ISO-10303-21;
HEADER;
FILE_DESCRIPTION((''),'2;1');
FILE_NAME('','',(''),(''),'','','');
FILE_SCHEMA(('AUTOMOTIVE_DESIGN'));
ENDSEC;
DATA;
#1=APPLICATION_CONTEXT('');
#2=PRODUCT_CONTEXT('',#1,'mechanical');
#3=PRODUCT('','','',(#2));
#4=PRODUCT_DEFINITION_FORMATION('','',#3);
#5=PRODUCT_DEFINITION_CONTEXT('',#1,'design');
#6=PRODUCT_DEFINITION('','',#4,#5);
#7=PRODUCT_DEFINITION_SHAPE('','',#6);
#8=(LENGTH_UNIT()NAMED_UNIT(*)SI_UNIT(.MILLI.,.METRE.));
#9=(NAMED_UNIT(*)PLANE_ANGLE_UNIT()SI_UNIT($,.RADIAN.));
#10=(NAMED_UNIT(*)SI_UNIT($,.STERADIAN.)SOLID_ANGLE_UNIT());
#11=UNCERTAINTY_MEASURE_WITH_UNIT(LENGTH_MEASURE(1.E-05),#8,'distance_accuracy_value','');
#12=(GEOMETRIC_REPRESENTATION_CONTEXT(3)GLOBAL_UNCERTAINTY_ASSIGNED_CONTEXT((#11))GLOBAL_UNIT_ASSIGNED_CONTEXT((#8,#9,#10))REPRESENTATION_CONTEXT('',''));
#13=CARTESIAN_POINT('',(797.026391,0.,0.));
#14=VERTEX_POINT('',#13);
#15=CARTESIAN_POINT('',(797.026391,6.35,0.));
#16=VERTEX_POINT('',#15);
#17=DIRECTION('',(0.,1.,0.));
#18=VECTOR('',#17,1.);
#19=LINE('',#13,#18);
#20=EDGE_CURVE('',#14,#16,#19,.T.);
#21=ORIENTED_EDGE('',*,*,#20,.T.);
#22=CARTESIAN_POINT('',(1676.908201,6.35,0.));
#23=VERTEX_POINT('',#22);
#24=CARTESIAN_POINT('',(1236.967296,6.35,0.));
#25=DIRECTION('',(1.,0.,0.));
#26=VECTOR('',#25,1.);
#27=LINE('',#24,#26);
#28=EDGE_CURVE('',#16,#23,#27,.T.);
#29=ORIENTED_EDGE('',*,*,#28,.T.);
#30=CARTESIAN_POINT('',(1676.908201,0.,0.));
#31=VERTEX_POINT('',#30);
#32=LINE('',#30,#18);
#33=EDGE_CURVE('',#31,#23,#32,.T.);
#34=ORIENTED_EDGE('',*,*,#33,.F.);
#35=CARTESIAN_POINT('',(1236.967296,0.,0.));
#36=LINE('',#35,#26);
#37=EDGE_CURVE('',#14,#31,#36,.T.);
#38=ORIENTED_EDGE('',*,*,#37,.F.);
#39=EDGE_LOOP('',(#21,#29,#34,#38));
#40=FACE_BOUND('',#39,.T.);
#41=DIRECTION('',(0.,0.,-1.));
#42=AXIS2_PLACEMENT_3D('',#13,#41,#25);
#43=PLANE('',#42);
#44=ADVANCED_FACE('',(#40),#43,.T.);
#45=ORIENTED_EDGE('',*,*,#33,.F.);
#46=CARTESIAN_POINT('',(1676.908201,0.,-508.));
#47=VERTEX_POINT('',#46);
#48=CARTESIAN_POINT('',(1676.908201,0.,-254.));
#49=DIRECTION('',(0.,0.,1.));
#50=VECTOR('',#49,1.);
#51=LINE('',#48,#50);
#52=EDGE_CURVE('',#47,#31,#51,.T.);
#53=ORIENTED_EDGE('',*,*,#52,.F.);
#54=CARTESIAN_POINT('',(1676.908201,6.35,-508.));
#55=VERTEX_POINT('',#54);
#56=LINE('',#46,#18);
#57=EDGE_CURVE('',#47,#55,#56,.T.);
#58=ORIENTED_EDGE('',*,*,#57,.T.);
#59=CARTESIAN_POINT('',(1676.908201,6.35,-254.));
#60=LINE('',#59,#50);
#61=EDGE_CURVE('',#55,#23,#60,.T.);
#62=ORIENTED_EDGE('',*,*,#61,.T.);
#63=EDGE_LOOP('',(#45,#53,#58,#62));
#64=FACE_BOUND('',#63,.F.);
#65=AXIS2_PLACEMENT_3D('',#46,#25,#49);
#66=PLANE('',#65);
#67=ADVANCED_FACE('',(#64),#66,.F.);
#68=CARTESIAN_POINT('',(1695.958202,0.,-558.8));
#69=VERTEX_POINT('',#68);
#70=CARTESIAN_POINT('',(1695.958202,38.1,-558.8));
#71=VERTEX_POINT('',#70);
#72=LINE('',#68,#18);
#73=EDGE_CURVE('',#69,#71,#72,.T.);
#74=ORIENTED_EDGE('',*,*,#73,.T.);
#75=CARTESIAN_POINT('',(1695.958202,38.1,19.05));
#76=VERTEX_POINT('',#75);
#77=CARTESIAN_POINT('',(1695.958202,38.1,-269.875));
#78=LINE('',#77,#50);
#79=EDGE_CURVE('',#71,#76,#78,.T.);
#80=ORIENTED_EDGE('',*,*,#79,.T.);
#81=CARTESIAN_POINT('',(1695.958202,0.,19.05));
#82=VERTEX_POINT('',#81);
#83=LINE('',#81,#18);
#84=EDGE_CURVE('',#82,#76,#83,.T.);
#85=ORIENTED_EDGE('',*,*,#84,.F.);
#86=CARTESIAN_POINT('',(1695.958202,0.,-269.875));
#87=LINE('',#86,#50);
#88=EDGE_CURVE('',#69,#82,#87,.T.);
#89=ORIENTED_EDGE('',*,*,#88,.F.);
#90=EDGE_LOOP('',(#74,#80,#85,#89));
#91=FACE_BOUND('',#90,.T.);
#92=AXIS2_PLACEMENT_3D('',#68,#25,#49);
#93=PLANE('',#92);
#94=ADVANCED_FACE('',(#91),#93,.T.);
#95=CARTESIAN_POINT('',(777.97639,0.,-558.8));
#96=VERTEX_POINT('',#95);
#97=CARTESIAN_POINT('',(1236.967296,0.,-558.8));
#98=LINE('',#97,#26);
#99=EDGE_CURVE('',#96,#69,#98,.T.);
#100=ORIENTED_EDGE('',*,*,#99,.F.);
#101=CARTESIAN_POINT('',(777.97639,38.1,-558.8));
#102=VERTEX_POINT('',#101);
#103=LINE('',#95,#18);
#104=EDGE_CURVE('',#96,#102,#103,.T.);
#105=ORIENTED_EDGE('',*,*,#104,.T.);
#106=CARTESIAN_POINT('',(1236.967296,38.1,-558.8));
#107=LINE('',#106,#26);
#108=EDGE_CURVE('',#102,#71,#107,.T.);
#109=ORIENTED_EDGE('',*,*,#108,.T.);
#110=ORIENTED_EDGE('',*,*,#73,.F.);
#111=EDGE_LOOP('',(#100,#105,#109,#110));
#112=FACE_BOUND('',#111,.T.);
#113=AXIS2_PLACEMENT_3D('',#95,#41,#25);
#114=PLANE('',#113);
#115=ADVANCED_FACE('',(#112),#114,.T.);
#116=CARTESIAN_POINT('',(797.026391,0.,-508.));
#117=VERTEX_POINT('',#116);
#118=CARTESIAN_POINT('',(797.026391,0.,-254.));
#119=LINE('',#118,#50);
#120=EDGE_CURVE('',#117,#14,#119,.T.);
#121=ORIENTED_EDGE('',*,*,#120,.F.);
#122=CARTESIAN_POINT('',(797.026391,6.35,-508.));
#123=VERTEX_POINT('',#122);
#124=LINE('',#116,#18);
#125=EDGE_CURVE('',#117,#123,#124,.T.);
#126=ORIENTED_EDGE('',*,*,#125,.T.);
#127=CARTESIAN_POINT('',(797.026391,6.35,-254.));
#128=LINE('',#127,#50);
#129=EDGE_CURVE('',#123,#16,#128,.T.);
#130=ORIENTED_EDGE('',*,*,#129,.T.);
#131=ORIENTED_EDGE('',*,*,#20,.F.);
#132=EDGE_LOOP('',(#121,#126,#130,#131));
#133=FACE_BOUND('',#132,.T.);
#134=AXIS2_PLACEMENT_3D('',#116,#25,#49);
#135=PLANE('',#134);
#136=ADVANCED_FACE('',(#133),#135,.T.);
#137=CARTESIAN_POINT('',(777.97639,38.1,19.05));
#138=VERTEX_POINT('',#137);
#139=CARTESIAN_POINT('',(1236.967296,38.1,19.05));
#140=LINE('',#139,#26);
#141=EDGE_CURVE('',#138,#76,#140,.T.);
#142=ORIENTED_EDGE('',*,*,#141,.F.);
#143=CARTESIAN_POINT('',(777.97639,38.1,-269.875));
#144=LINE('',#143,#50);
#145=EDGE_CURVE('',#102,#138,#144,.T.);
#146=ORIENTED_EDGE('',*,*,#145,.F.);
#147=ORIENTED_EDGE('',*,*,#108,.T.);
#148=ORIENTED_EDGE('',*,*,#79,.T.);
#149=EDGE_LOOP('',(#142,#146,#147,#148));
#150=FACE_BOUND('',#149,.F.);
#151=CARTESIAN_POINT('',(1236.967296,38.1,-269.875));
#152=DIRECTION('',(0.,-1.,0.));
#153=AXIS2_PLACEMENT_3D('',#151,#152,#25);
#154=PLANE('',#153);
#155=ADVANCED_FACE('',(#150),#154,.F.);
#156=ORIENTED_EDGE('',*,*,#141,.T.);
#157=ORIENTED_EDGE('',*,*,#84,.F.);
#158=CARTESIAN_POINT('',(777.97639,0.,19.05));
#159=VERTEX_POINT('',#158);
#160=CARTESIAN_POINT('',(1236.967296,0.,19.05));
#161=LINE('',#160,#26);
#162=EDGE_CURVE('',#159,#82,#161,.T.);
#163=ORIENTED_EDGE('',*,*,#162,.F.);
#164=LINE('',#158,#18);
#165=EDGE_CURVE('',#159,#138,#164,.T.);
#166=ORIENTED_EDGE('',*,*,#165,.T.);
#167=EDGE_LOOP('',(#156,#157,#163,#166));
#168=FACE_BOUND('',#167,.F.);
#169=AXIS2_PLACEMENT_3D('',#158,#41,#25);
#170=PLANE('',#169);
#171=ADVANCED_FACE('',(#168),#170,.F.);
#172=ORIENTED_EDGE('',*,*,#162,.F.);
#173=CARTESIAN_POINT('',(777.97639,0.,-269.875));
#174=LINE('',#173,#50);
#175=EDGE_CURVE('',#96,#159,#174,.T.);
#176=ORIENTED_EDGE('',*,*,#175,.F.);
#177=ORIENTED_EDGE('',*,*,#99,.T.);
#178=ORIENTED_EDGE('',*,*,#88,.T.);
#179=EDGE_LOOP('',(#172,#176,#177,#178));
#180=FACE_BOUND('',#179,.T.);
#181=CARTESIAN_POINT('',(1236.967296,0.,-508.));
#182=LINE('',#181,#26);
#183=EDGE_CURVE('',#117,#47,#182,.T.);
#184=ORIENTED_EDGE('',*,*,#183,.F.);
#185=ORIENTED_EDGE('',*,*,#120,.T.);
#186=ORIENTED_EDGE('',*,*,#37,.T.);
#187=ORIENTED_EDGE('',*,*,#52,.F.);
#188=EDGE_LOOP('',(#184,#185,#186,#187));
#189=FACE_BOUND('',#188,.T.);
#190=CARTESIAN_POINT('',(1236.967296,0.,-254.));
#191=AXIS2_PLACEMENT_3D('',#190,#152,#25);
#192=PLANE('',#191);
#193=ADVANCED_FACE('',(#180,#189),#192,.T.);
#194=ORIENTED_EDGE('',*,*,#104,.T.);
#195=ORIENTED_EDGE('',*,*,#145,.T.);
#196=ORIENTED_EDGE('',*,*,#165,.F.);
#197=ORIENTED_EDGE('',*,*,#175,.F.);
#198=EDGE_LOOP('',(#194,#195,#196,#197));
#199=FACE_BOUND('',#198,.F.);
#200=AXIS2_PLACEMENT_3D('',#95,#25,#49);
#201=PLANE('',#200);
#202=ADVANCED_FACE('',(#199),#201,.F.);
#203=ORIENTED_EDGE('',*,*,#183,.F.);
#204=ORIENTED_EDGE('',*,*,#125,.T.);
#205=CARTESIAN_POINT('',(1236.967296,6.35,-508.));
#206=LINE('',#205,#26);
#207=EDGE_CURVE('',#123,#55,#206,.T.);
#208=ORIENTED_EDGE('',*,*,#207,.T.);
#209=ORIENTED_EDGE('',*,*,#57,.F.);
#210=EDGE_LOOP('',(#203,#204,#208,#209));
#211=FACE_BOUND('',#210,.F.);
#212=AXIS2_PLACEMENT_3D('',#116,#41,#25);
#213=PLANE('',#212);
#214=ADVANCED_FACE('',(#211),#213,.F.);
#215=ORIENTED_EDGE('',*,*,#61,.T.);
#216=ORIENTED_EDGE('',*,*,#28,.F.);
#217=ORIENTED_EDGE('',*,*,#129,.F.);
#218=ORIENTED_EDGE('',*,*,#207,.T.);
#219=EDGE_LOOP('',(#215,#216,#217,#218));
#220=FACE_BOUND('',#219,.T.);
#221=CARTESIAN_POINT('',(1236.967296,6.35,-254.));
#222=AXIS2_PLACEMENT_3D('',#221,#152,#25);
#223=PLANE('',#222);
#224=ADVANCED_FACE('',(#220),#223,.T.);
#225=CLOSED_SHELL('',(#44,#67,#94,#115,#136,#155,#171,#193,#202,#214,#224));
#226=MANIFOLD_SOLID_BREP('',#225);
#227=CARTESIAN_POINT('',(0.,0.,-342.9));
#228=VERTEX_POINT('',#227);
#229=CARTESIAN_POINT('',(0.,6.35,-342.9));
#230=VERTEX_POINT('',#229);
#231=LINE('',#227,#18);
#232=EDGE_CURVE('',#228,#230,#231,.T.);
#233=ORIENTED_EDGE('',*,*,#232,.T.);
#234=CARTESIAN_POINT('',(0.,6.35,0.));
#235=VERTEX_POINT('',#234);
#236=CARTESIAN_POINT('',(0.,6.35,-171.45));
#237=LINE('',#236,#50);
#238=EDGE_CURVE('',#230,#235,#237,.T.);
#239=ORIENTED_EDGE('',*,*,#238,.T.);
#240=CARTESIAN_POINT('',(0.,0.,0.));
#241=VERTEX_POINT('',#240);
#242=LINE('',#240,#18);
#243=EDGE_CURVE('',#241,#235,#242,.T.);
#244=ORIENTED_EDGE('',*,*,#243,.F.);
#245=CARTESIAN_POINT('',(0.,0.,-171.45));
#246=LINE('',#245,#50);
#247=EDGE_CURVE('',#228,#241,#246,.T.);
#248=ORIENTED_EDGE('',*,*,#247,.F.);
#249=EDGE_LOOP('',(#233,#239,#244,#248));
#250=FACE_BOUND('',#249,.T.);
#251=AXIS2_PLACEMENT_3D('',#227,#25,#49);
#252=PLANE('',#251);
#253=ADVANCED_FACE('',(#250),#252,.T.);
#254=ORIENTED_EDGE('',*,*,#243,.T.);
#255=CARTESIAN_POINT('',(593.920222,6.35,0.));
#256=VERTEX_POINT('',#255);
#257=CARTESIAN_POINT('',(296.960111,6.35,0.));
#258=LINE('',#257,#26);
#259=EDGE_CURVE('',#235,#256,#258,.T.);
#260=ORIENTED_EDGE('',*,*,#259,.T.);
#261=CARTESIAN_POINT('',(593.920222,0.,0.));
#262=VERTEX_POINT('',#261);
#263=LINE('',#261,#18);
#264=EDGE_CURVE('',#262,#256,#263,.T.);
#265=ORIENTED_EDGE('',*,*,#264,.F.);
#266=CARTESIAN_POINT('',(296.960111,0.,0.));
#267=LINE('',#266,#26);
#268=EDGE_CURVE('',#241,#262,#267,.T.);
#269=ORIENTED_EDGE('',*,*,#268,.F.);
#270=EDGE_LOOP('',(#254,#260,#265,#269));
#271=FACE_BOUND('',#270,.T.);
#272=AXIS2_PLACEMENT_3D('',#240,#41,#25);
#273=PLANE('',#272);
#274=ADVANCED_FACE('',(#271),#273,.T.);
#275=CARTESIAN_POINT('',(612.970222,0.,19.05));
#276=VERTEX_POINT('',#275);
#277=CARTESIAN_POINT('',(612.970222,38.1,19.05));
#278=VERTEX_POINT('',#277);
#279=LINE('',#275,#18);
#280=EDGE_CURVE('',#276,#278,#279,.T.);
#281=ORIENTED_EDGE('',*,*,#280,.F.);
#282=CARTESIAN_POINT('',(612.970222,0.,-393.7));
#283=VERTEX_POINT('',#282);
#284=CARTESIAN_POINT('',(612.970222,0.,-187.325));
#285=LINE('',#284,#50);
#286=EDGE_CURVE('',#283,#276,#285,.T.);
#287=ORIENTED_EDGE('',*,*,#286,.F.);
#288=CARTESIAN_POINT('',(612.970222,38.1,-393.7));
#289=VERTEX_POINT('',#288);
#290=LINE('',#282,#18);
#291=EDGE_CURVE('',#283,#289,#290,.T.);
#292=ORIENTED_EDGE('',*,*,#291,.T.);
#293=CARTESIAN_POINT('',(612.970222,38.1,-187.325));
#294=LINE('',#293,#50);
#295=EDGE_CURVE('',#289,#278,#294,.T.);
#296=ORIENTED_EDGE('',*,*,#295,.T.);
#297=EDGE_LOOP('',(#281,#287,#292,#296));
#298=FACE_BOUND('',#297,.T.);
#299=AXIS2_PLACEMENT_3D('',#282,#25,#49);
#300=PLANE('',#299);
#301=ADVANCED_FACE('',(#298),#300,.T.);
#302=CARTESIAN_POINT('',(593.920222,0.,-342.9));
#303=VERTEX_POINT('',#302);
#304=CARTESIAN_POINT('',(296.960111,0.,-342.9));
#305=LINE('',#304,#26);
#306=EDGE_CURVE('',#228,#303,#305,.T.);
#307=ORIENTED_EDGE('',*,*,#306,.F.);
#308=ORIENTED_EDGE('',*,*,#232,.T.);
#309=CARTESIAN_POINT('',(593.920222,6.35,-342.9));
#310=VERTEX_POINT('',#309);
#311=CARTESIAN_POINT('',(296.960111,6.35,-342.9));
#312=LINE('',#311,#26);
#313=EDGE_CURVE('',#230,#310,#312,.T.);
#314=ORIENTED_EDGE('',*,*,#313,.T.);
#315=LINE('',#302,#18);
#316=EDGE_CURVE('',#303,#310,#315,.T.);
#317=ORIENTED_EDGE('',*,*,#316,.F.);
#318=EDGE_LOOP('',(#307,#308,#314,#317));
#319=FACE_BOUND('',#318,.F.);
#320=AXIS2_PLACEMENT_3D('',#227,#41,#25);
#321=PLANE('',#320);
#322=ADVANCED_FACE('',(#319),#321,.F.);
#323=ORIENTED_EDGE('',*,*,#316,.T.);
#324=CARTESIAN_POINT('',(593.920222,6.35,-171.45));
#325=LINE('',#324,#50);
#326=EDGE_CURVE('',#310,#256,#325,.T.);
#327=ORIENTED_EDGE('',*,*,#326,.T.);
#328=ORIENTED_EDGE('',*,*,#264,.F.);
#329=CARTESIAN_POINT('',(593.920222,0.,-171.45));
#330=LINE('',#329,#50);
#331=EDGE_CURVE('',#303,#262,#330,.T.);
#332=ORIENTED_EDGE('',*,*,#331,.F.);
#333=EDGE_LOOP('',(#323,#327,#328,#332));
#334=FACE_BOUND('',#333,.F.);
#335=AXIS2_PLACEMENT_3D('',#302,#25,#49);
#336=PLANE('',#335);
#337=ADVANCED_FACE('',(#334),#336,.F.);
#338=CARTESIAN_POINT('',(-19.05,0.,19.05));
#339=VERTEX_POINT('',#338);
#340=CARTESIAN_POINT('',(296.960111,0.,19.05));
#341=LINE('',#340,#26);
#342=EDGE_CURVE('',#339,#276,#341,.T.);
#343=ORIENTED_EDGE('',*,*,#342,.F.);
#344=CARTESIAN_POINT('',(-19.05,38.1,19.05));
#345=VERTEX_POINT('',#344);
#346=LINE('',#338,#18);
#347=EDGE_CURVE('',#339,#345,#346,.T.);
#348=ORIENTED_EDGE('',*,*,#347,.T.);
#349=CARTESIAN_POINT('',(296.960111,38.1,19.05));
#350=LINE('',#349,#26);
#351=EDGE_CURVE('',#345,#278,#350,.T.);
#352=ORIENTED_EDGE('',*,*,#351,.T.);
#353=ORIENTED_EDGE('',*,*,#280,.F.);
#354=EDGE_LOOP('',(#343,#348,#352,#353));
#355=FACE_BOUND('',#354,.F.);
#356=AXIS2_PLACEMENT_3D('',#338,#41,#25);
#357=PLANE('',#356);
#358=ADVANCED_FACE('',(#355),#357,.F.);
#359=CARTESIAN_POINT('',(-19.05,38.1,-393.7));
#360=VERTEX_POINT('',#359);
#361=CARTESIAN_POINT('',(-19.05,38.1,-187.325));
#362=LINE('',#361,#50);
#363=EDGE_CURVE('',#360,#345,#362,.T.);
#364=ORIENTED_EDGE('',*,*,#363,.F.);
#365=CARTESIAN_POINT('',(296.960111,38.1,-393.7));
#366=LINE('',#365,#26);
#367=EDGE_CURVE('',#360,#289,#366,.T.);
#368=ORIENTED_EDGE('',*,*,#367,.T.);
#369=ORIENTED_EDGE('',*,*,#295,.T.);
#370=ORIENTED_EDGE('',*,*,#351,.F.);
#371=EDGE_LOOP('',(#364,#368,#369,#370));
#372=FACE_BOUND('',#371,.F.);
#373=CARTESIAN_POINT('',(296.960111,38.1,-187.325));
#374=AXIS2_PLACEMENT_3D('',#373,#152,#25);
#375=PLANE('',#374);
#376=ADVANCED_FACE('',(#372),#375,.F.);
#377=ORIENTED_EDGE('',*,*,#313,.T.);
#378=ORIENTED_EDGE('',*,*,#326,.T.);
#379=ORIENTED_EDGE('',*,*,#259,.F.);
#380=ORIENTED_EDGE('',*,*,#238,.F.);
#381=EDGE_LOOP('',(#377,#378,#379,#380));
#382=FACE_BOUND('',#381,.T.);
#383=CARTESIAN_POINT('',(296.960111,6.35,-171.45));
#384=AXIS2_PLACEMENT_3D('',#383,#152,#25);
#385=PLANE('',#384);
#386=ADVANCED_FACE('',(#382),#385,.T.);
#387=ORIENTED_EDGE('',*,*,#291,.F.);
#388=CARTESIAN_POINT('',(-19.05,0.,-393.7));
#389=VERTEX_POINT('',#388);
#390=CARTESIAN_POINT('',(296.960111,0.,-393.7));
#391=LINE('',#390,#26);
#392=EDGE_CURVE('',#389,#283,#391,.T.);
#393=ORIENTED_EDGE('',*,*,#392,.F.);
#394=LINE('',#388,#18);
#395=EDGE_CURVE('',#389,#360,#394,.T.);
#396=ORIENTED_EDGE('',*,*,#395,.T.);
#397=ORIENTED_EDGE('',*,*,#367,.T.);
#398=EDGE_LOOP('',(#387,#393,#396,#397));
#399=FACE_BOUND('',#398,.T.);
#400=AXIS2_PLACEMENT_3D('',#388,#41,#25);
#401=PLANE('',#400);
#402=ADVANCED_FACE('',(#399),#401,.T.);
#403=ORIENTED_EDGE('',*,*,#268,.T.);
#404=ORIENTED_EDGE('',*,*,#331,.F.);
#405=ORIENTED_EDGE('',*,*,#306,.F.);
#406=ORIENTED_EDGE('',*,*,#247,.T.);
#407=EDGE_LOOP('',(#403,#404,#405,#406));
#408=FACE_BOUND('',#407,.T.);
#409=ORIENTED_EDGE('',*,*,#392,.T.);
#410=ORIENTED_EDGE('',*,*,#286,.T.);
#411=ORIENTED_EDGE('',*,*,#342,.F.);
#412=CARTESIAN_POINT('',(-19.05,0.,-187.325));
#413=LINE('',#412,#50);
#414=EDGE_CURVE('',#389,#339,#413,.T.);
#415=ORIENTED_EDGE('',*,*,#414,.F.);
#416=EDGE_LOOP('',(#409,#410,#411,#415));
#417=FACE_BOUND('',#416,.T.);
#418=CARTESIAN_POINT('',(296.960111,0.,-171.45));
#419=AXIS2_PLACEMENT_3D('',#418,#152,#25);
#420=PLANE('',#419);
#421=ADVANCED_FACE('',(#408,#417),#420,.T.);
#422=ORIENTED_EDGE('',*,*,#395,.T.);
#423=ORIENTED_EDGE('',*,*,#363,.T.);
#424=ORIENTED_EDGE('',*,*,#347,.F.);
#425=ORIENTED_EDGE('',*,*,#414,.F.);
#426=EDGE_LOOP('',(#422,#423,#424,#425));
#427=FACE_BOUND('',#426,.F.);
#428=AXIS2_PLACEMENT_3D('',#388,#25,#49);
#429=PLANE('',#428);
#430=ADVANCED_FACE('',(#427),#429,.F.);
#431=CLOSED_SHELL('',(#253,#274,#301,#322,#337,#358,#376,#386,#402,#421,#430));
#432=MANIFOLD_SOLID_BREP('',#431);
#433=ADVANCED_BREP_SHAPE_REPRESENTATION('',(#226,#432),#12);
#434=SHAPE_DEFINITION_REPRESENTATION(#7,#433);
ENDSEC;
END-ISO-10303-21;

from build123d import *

# Parameters (mm, degrees)
F0_W     = 632.020222
F0_H     = 412.75
F0_W_2   = 593.920222
F0_H_2   = 342.9
F0_W_3   = 917.981811
F0_H_3   = 577.85
F0_W_4   = 879.881811
F0_H_4   = 508
F1_DEPTH = 38.1
F2_DEPTH = 38.1
F3_DEPTH = 6.35


with BuildPart() as f1:
    # F0 (on Front) → F1 (new body)
    with BuildSketch(Plane.XZ):
        with Locations((296.960111, -187.325)):
            Rectangle(F0_W, F0_H)
        with Locations((296.960111, -171.45)):
            Rectangle(F0_W_2, F0_H_2, mode=Mode.SUBTRACT)
        with Locations((1236.967296, -269.875)):
            Rectangle(F0_W_3, F0_H_3)
        with Locations((1236.967296, -254)):
            Rectangle(F0_W_4, F0_H_4, mode=Mode.SUBTRACT)
    extrude(amount=-F1_DEPTH)

    # F0 (on Front) → F2 (join)
    with BuildSketch(Plane.XZ):
        with Locations((296.960111, -171.45)):
            Rectangle(F0_W_2, F0_H_2)
        with Locations((1236.967296, -254)):
            Rectangle(F0_W_4, F0_H_4)
    extrude(amount=-F2_DEPTH)

    # F0 (on Front) → F3 (cut)
    with BuildSketch(Plane.XZ):
        with Locations((296.960111, -171.45)):
            Rectangle(F0_W_2, F0_H_2)
        with Locations((1236.967296, -254)):
            Rectangle(F0_W_4, F0_H_4)
    extrude(amount=-F3_DEPTH, mode=Mode.SUBTRACT)


solid = f1.part
